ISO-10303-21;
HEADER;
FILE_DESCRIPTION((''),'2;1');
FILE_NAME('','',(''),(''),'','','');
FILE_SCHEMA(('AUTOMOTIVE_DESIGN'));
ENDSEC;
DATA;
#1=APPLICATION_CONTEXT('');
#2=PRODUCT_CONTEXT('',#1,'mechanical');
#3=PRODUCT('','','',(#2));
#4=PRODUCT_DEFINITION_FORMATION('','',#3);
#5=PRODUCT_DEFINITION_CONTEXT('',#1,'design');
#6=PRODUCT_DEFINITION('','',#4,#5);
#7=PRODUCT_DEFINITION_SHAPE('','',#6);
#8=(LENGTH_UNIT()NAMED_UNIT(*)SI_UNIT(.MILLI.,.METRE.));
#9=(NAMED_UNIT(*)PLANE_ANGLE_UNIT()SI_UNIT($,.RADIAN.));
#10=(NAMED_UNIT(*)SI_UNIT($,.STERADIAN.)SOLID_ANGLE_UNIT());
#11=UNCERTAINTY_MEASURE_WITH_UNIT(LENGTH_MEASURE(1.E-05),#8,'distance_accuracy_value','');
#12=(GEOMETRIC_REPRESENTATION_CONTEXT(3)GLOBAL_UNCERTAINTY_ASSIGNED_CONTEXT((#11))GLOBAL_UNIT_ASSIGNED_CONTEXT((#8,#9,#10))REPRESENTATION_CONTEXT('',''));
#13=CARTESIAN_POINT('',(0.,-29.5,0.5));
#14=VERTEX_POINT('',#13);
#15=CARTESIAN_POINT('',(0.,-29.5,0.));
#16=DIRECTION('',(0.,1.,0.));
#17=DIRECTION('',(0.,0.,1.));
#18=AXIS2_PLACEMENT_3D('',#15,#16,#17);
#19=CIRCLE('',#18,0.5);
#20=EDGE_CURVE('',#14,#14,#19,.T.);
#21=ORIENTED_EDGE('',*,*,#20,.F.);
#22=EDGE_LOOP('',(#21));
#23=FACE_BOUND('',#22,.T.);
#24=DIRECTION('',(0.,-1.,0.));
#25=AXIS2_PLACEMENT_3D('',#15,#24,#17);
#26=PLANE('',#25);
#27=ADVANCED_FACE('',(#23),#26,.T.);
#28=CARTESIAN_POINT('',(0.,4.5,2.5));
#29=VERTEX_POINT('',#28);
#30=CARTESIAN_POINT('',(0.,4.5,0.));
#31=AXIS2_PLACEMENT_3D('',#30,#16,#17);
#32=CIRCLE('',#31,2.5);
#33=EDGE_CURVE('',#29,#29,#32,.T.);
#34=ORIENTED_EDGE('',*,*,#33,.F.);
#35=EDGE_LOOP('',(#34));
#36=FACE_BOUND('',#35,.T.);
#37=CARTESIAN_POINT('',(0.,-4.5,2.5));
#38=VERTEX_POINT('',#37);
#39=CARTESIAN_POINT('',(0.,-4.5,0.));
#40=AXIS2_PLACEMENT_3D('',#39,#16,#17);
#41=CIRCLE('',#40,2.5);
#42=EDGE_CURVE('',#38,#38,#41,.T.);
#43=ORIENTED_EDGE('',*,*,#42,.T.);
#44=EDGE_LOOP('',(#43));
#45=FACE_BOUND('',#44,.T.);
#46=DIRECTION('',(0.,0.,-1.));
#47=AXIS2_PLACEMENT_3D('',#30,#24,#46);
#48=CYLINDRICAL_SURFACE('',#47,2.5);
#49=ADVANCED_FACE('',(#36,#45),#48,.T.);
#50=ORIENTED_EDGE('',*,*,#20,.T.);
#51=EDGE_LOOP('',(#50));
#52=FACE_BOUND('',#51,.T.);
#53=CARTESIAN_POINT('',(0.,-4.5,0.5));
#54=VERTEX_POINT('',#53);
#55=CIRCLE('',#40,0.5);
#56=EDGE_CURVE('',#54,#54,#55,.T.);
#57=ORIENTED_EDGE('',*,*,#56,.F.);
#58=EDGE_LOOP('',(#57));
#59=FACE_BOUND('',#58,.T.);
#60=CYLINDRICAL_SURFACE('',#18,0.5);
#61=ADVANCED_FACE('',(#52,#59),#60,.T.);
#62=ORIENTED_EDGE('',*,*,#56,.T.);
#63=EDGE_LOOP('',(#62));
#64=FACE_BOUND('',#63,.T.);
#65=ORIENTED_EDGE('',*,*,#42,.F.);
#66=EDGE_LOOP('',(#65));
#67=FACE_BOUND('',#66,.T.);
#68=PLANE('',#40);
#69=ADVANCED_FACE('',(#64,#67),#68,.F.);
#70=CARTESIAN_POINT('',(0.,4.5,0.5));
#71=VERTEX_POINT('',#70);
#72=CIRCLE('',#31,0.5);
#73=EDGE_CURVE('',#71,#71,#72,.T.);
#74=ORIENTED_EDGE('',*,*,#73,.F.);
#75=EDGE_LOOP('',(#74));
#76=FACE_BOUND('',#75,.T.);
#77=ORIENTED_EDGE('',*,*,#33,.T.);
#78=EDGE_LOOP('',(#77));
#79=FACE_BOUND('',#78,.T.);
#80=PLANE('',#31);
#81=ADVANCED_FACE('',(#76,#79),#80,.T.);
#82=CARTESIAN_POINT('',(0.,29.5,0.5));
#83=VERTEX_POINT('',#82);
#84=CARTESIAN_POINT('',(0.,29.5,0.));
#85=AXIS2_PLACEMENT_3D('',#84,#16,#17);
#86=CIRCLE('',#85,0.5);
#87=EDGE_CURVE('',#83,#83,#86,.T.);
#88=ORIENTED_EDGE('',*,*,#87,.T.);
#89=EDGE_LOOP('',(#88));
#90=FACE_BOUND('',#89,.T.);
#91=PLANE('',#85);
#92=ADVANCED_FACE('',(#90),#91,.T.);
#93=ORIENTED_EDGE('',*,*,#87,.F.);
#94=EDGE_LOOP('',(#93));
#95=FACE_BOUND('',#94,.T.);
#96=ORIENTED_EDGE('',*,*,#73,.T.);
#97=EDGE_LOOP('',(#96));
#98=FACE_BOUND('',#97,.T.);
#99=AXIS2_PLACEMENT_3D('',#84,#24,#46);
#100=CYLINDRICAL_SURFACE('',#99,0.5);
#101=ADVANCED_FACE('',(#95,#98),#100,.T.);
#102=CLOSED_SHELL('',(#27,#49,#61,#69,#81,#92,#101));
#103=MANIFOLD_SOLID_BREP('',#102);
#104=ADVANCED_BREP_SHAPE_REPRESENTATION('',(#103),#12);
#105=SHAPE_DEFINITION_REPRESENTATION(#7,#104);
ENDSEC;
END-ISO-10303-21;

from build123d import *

# Parameters (mm, degrees)
SKETCH1_R           = 2.5
BOSS_EXTRUDE1_DEPTH = 4.5
SKETCH2_R           = 0.5
BOSS_EXTRUDE2_DEPTH = 25


with BuildPart() as part:
    # Sketch1 → Boss-Extrude1 (new body, symmetric)
    with BuildSketch(Plane(origin=(0, 0, 0), x_dir=(1, 0, 0), z_dir=(0, 1, 0))):
        Circle(SKETCH1_R)
    extrude(amount=BOSS_EXTRUDE1_DEPTH, both=True)

    # Sketch2 → Boss-Extrude2 (add)
    with BuildSketch(Plane(origin=(0, 4.5, 0), x_dir=(1, 0, 0), z_dir=(0, 1, 0))):
        Circle(SKETCH2_R)
    boss_extrude2 = extrude(amount=BOSS_EXTRUDE2_DEPTH)

    # Mirror4: Boss-Extrude2 across plane
    add(boss_extrude2.mirror(Plane.ZX))


solid = part.part
